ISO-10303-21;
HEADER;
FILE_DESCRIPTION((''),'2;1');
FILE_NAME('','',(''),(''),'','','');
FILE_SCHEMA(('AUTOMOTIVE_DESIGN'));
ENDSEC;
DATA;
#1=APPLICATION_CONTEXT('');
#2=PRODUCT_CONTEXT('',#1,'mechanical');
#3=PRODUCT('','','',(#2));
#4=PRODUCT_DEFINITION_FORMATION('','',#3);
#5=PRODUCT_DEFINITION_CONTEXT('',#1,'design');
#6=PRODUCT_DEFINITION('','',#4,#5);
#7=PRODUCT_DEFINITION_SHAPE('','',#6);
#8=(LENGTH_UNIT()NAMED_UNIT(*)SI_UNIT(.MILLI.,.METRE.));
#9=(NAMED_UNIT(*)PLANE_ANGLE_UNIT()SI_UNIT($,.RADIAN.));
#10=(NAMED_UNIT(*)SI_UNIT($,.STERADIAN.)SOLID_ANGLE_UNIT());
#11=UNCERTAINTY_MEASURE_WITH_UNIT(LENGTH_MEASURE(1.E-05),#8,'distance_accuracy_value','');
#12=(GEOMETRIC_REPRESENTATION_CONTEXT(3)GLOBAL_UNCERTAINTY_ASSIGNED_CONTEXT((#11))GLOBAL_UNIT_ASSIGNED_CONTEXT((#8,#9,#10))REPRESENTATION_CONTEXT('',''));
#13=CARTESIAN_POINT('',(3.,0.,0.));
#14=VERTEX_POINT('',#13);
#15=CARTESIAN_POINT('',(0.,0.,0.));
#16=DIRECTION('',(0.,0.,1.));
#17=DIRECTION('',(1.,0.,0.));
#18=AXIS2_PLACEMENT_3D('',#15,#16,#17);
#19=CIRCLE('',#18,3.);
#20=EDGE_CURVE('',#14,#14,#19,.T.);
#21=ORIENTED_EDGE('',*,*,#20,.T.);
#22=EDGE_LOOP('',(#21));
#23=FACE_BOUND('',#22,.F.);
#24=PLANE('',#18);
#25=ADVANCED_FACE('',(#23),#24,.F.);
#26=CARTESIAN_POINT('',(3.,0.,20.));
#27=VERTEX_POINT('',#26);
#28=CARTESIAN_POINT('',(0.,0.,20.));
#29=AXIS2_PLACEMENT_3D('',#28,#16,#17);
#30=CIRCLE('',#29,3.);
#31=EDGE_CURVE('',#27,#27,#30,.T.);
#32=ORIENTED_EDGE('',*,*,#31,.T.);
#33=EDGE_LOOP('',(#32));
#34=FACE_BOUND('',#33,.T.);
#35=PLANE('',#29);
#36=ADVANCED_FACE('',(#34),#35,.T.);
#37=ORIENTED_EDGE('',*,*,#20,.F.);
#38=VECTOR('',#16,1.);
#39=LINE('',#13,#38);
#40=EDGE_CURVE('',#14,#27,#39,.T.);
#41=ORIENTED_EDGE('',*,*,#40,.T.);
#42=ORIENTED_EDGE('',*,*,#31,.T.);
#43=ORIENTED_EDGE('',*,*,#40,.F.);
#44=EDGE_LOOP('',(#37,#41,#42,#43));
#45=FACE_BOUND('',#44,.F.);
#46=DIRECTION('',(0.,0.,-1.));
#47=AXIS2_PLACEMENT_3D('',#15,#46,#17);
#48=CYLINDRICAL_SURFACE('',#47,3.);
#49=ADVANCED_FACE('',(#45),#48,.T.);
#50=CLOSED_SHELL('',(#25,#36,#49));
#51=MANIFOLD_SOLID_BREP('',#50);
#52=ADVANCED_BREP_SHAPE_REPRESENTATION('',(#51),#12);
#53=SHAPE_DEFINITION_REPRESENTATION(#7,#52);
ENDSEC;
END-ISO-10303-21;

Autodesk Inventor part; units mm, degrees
ref_plane "YZ Plane" through (0, 0, 0) normal (1, 0, 0) x (0, 1, 0)
ref_plane "XZ Plane" through (0, 0, 0) normal (0, 1, 0) x (-1, 0, 0)
ref_plane "XY Plane" through (0, 0, 0) normal (0, 0, 1) x (1, 0, 0)
sketch "Sketch1" plane through (0, 0, 0) normal (0, 0, 1) x (1, 0, 0)
  circle A0 centre (0, 0) radius 3
  dimension "d0" = 6
extrude "Extrusion1" add sketch "Sketch1" along normal blind 20
equation "\"d0\" = cabel_roller_ID"
equation "\"d1\" = outer_carriage_width"
equation "\"cabel_roller_ID\" = 6"
equation "\"outer_carriage_width\" = 20"
properties part number "05_outer_carriage_wire_rod"
